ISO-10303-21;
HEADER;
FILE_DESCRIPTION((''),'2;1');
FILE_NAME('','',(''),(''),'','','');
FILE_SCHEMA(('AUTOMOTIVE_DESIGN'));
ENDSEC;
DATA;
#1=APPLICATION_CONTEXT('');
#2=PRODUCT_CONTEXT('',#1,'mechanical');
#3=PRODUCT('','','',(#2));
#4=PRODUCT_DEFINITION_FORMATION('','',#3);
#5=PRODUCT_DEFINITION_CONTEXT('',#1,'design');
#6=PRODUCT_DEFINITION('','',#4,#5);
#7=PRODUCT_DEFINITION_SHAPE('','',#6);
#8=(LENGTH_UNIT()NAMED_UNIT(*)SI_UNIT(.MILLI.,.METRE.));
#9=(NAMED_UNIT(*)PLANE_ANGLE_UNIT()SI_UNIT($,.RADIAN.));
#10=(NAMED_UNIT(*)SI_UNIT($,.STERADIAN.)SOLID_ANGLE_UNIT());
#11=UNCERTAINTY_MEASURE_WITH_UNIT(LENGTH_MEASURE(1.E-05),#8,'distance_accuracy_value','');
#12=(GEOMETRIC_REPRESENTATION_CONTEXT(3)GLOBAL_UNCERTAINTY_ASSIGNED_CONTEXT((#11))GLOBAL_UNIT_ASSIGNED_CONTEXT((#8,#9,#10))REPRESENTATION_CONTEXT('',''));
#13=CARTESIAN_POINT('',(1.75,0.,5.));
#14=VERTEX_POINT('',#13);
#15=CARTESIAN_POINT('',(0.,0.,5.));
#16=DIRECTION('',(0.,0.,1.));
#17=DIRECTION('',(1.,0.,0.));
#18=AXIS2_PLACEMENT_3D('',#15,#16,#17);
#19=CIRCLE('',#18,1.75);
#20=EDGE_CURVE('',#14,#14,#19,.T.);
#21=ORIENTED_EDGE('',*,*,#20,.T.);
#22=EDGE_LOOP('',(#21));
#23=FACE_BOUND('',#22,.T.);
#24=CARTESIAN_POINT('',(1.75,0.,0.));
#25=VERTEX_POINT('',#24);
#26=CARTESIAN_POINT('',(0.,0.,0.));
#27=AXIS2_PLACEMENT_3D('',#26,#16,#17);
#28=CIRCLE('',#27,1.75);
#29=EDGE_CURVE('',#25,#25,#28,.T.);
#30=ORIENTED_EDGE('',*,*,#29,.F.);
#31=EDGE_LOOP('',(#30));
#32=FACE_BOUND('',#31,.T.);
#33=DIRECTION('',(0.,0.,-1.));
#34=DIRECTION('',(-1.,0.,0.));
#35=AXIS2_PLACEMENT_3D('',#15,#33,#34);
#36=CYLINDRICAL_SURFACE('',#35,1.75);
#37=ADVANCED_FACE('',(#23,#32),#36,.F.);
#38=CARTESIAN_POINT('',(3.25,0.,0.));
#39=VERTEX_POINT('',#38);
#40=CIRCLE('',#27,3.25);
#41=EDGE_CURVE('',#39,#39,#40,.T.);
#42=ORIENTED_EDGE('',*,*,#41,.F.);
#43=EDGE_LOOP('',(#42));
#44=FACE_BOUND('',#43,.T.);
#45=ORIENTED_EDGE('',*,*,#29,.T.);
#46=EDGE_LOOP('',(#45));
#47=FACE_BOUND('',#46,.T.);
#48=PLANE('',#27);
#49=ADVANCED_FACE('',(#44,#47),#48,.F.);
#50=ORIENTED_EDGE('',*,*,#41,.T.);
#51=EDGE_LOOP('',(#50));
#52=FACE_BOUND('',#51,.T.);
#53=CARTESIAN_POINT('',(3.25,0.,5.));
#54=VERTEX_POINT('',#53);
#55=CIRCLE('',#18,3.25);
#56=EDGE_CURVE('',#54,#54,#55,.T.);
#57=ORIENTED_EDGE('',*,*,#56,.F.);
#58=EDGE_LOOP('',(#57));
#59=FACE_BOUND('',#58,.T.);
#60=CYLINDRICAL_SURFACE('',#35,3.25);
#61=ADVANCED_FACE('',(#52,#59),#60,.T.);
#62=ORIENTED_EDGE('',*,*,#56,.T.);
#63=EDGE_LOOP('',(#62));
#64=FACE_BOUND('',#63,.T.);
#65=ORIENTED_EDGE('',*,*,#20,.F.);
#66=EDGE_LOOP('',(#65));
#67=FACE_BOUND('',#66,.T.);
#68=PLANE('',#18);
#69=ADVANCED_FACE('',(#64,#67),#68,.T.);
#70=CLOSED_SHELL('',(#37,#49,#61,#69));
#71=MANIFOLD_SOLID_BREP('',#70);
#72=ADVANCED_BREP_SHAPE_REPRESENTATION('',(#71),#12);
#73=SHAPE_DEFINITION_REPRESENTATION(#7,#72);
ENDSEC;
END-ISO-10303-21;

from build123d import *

# Parameters (mm, degrees)
SCHIZZO1_R                   = 3.25
SCHIZZO1_R_2                 = 1.75
ESTRUSIONE_ESTRUSIONE1_DEPTH = 5


with BuildPart() as part:
    # Schizzo1 → Estrusione-Estrusione1 (new body)
    with BuildSketch(Plane.XY):
        Circle(SCHIZZO1_R)
        Circle(SCHIZZO1_R_2, mode=Mode.SUBTRACT)
    extrude(amount=ESTRUSIONE_ESTRUSIONE1_DEPTH)


solid = part.part
